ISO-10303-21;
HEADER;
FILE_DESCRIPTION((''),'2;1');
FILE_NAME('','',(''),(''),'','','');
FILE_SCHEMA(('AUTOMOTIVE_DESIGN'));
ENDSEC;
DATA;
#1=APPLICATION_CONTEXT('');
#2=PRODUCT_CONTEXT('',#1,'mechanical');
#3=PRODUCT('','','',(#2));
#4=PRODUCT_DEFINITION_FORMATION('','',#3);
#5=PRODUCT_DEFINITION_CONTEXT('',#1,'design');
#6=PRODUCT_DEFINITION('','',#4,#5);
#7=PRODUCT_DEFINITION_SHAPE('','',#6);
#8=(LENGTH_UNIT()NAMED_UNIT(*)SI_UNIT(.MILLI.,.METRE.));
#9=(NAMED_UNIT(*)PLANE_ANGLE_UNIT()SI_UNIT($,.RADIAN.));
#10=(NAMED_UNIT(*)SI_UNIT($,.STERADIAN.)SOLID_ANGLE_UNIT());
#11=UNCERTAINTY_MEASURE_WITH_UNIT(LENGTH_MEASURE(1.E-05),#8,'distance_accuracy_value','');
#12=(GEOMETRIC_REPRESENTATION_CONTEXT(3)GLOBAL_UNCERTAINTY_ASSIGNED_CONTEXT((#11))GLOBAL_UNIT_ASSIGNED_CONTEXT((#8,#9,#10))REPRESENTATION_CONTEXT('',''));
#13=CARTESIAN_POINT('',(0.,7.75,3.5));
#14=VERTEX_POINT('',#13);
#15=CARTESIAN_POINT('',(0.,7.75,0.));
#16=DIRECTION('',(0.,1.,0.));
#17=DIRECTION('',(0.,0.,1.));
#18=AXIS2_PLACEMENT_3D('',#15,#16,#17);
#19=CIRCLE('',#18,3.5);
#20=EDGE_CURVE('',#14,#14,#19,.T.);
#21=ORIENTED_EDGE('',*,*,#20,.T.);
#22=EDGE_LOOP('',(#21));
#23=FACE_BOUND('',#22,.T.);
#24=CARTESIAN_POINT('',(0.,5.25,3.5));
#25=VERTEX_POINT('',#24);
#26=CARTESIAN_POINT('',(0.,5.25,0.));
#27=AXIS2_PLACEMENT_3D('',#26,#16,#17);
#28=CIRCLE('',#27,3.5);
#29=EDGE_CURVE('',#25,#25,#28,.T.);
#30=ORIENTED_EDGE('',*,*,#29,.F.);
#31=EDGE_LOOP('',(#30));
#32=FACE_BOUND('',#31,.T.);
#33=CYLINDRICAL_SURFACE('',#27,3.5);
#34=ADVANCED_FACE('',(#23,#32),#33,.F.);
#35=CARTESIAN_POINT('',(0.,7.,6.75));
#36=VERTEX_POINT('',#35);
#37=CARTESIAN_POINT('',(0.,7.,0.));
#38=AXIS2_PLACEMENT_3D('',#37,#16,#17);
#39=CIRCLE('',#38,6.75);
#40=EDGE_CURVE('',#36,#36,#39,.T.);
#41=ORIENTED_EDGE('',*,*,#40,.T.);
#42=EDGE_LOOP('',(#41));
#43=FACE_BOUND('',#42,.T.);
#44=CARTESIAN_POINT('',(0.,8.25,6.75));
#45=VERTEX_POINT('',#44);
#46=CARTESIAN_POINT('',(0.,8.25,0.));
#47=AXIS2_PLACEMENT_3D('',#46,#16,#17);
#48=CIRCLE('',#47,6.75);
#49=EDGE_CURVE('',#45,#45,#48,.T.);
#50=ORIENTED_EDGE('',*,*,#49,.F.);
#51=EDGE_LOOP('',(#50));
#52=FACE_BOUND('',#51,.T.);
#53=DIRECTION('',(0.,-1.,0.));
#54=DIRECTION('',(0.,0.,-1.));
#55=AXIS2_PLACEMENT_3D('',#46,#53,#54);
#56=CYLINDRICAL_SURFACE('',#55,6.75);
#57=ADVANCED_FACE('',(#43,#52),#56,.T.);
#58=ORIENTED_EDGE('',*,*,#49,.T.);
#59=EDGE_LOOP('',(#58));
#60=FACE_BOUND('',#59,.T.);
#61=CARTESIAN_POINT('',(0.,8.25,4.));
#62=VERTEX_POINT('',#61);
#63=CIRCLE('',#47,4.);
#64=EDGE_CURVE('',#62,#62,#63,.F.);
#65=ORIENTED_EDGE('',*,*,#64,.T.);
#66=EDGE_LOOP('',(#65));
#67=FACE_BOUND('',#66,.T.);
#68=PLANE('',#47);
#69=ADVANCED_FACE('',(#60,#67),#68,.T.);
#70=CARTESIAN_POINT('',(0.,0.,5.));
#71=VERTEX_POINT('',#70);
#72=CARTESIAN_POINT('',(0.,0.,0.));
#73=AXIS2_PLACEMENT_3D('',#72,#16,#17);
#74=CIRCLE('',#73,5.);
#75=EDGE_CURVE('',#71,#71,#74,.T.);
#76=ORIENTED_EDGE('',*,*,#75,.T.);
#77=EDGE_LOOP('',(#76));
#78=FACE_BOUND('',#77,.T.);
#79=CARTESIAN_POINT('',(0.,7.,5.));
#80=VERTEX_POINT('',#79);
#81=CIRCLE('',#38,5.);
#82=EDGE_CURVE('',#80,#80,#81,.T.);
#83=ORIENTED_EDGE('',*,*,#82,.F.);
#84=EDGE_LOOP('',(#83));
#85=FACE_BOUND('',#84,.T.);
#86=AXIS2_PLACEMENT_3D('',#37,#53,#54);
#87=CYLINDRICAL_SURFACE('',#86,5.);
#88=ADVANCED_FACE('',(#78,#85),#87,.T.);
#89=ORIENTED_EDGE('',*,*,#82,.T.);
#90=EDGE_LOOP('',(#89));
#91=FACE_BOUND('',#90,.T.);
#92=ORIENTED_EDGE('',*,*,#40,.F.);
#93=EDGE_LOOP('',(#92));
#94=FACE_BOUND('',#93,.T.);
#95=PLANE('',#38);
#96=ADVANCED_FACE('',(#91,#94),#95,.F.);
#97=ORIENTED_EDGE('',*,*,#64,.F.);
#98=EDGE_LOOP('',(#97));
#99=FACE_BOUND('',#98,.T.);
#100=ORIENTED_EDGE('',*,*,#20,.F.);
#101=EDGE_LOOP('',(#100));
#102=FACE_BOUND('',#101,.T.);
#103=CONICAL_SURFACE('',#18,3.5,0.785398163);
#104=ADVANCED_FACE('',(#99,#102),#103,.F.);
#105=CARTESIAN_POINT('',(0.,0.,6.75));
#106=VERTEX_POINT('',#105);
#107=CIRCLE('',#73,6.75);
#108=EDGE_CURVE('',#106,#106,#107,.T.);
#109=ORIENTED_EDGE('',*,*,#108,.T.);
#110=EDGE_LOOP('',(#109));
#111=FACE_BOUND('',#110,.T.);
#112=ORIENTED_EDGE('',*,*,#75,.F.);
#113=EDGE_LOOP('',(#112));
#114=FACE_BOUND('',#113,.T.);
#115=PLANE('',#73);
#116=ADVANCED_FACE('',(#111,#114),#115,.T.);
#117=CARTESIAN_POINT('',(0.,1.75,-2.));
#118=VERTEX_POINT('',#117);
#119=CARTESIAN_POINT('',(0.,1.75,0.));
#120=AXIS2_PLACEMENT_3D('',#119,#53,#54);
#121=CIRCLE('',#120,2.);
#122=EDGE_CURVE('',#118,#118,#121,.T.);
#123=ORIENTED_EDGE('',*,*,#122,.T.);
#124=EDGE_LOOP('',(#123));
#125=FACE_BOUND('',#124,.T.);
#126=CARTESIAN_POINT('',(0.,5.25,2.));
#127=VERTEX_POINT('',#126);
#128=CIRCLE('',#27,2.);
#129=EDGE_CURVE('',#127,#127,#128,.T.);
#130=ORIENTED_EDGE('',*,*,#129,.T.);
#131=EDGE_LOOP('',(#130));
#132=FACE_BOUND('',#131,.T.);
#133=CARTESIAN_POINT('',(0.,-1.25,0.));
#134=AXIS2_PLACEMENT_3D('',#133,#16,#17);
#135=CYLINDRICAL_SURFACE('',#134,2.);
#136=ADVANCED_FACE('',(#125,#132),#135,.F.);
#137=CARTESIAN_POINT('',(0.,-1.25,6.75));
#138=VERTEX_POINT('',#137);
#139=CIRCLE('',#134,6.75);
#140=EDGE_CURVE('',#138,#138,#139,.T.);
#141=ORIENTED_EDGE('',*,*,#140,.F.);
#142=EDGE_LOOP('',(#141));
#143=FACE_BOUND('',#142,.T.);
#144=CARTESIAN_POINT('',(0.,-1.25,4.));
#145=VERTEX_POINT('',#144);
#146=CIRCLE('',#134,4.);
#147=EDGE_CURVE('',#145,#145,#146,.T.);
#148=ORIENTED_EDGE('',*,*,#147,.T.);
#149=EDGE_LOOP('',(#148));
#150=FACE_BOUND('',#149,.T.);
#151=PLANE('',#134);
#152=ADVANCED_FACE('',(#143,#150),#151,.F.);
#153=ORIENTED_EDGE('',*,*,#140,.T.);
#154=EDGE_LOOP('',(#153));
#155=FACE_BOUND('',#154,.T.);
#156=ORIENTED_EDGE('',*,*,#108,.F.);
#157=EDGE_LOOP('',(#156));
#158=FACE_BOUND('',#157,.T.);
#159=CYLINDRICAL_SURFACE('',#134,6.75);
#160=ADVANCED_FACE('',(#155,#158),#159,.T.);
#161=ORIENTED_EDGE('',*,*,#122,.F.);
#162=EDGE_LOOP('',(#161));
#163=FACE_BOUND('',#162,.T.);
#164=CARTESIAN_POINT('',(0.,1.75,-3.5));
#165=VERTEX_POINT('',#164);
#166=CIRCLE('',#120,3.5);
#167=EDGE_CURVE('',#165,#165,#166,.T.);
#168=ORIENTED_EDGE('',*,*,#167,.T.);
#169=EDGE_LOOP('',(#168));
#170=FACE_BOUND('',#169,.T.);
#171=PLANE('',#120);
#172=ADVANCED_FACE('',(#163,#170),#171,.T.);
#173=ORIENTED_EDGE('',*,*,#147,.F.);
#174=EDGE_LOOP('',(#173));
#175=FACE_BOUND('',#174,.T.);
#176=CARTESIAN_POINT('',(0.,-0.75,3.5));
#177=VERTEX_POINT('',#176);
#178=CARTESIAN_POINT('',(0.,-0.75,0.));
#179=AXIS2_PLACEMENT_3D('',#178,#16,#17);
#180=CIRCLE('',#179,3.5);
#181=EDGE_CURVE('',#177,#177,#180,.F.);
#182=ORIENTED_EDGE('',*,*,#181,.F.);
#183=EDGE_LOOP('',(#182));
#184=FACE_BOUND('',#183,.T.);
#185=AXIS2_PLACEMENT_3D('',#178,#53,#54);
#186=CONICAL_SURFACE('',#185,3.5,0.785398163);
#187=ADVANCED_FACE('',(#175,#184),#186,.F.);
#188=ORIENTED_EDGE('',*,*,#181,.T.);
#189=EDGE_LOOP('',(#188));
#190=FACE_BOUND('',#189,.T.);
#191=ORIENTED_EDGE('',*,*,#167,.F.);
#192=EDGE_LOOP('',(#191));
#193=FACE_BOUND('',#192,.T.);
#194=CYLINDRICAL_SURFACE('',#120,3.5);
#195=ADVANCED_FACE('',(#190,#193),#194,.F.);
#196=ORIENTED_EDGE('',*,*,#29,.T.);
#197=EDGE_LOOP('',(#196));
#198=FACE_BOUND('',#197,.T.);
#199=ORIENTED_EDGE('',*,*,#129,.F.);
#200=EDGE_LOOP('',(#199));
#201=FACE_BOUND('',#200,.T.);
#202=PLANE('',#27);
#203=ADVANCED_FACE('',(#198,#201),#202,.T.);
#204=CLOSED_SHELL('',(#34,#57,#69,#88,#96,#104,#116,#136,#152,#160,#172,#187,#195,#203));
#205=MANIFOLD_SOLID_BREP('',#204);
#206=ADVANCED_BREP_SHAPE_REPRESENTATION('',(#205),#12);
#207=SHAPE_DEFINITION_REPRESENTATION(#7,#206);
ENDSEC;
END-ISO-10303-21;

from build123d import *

# Parameters (mm, degrees)
SKETCH2_R           = 5
BOSS_EXTRUDE1_DEPTH = 7
SKETCH3_R           = 6.75
BOSS_EXTRUDE2_DEPTH = 1.25
BOSS_EXTRUDE3_START = -7
SKETCH3_2_R         = 6.75
BOSS_EXTRUDE3_DEPTH = 1.25
SKETCH4_R           = 3.5
CUT_EXTRUDE1_DEPTH  = 3
SKETCH5_R           = 3.5
CUT_EXTRUDE2_DEPTH  = 3
SKETCH6_R           = 2
CUT_EXTRUDE3_DEPTH  = 7.5
CHAMFER1_SIZE       = 0.5


with BuildPart() as part:
    # Sketch2 → Boss-Extrude1 (new body)
    with BuildSketch(Plane(origin=(0, 0, 0), x_dir=(1, 0, 0), z_dir=(0, 1, 0))):
        Circle(SKETCH2_R)
    extrude(amount=BOSS_EXTRUDE1_DEPTH)

    # Sketch3 → Boss-Extrude2 (add)
    with BuildSketch(Plane(origin=(0, 7, 0), x_dir=(1, 0, 0), z_dir=(0, 1, 0))):
        Circle(SKETCH3_R)
    extrude(amount=BOSS_EXTRUDE2_DEPTH)

    # Sketch3<2> → Boss-Extrude3 (add)
    with BuildSketch(Plane(origin=(0, 7, 0), x_dir=(1, 0, 0), z_dir=(0, 1, 0)).offset(BOSS_EXTRUDE3_START)):
        Circle(SKETCH3_2_R)
    extrude(amount=-BOSS_EXTRUDE3_DEPTH)

    # Sketch4 → Cut-Extrude1 (cut)
    with BuildSketch(Plane.XZ.offset(1.25)):
        Circle(SKETCH4_R)
    extrude(amount=-CUT_EXTRUDE1_DEPTH, mode=Mode.SUBTRACT)

    # Sketch5 → Cut-Extrude2 (cut)
    with BuildSketch(Plane(origin=(0, 8.25, 0), x_dir=(1, 0, 0), z_dir=(0, 1, 0))):
        Circle(SKETCH5_R)
    extrude(amount=-CUT_EXTRUDE2_DEPTH, mode=Mode.SUBTRACT)

    # Sketch6 → Cut-Extrude3 (cut, through all)
    with BuildSketch(Plane(origin=(0, 5.25, 0), x_dir=(1, 0, 0), z_dir=(0, 1, 0))):
        Circle(SKETCH6_R)
    extrude(amount=-CUT_EXTRUDE3_DEPTH, mode=Mode.SUBTRACT)

    # Chamfer1
    chamfer1_edges = [part.edges().sort_by_distance(p)[0] for p in [
        (-3.5, -1.25, 0),
        (-3.5, 8.25, 0),
    ]]
    chamfer(chamfer1_edges, length=CHAMFER1_SIZE)


solid = part.part
